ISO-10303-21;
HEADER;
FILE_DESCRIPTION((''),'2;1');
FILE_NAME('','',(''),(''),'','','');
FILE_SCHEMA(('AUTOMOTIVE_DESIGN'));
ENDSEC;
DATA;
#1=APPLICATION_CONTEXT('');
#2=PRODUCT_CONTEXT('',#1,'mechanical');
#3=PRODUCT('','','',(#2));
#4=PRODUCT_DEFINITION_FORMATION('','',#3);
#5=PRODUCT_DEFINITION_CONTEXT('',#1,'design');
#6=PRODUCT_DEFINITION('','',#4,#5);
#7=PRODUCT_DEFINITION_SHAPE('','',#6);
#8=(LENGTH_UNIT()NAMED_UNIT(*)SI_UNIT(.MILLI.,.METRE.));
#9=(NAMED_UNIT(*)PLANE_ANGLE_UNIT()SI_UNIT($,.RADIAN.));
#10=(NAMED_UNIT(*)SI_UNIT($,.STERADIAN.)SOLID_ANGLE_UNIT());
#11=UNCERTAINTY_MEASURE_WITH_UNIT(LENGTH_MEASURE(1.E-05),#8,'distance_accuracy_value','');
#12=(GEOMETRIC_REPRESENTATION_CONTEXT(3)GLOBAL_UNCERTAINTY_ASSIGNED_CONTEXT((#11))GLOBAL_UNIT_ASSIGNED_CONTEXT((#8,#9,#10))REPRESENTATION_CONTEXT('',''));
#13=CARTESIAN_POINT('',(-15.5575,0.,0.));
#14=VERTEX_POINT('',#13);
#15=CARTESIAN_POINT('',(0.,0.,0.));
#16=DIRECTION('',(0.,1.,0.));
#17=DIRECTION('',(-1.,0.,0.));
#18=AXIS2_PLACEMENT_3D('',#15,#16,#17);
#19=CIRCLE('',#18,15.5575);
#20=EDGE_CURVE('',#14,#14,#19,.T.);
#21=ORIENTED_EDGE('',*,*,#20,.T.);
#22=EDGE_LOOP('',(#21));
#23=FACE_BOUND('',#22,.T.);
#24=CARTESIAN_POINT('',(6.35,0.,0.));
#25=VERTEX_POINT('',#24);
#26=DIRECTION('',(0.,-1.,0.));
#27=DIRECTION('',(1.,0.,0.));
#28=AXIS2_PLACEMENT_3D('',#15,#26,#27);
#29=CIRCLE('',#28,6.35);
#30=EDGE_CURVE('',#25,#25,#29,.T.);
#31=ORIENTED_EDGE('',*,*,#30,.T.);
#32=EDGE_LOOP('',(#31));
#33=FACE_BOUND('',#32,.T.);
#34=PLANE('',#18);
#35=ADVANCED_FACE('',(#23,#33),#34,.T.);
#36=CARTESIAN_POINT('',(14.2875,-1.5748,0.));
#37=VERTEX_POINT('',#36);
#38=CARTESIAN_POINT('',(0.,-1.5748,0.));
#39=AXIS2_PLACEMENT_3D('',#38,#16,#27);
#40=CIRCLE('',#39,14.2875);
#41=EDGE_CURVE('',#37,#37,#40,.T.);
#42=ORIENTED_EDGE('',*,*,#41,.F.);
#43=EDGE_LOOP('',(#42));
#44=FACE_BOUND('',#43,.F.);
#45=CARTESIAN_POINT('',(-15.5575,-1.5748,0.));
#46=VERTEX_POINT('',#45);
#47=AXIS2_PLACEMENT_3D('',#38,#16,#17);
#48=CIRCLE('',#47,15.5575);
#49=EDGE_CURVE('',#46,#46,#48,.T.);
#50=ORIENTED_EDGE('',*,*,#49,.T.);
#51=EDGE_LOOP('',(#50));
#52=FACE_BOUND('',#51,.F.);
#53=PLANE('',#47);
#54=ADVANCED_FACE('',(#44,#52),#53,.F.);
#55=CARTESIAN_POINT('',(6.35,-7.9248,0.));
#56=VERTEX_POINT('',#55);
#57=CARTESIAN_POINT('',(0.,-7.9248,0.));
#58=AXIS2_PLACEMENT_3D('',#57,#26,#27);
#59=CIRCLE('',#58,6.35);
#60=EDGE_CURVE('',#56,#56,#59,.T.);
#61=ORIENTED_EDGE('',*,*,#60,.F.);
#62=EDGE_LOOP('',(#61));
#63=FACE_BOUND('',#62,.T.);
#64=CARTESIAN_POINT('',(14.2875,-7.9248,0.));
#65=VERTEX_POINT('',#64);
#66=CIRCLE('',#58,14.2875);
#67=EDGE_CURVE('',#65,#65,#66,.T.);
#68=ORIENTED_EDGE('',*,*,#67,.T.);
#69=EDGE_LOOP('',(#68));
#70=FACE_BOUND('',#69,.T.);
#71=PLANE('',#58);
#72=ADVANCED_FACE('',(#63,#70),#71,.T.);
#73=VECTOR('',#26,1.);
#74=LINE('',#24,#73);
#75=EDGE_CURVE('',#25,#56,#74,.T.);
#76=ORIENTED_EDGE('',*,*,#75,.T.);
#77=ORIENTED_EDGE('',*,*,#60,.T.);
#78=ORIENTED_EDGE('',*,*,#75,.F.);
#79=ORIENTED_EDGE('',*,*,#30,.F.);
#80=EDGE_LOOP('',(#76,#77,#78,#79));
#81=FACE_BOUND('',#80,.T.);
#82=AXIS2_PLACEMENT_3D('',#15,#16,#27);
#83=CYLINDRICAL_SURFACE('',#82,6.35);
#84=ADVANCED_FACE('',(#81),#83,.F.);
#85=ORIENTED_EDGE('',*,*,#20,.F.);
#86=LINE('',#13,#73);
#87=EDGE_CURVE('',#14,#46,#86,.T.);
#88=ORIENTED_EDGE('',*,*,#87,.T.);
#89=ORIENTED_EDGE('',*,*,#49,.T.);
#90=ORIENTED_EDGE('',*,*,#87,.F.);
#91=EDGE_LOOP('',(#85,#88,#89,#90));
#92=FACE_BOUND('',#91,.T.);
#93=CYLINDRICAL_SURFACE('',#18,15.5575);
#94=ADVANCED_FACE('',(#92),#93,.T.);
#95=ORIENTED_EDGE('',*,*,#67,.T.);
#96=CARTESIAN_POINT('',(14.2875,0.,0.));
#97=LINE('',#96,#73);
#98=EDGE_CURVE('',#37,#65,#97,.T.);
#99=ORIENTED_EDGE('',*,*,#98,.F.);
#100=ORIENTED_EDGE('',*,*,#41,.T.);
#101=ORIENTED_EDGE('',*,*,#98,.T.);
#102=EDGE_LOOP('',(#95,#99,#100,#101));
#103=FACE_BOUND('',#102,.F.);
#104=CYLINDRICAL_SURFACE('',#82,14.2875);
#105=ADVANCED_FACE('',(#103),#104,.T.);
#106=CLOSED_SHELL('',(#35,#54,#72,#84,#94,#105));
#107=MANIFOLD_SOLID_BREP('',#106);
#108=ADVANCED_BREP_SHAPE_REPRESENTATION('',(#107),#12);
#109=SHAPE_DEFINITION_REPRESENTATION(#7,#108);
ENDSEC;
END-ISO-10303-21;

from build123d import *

# Parameters (mm, degrees)
F0_R     = 14.2875
F0_R_2   = 6.35
F1_DEPTH = 7.9248
F2_R     = 15.5575
F2_R_2   = 6.35
F3_DEPTH = 1.5748


with BuildPart() as f1:
    # F0 (on Front) → F1 (new body)
    with BuildSketch(Plane.XZ):
        Circle(F0_R)
        Circle(F0_R_2, mode=Mode.SUBTRACT)
    extrude(amount=F1_DEPTH)

    # F2 (on face) → F3 (join)
    with BuildSketch(Plane(origin=(0, 0, 0), x_dir=(-1, 0, 0), z_dir=(0, 1, 0))):
        Circle(F2_R)
        Circle(F2_R_2, mode=Mode.SUBTRACT)
    extrude(amount=-F3_DEPTH)


solid = f1.part
